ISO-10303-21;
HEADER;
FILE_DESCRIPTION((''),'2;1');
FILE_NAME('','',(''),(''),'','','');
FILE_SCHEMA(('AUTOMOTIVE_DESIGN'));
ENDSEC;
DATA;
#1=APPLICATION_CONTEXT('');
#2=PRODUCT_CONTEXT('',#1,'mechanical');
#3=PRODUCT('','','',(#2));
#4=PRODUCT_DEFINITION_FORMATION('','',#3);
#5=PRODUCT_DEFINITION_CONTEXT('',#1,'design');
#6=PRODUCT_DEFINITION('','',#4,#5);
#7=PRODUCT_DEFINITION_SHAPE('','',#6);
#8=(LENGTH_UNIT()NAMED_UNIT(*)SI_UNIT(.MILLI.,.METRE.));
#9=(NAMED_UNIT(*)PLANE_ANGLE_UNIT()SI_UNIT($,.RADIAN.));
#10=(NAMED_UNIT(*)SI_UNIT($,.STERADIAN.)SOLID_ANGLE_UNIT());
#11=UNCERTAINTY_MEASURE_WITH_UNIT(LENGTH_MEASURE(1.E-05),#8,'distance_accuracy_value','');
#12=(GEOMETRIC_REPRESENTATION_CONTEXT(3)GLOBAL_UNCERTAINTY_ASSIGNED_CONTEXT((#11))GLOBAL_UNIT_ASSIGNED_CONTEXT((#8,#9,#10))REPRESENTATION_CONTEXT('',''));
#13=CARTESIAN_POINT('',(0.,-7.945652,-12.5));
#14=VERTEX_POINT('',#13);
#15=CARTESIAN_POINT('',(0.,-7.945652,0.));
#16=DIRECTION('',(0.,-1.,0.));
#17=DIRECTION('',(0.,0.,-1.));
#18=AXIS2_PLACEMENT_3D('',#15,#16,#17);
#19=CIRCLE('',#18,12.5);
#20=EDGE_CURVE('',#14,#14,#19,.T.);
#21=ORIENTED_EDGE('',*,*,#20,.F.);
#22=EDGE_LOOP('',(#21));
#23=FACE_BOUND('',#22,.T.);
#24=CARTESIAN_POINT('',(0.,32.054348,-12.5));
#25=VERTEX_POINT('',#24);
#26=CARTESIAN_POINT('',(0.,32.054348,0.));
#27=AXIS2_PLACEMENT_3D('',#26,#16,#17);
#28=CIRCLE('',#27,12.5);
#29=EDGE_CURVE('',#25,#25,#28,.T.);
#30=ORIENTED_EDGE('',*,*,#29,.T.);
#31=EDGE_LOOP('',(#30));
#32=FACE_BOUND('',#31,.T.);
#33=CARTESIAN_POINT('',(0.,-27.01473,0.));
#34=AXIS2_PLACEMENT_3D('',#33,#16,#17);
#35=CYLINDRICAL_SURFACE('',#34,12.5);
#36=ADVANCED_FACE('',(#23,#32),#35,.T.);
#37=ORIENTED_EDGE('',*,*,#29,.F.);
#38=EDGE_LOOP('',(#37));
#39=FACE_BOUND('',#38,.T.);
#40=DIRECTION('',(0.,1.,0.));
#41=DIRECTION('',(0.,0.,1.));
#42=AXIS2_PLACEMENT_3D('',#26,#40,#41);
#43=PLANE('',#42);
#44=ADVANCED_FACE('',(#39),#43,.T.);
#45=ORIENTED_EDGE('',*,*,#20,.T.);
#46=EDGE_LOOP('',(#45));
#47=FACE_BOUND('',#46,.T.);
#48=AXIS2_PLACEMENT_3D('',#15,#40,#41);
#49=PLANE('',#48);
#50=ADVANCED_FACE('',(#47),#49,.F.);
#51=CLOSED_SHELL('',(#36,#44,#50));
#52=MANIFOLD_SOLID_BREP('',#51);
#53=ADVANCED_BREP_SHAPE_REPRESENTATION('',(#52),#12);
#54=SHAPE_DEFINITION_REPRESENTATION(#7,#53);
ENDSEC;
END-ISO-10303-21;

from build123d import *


with BuildPart() as part:
    # Esquisse1 → Révolution1 (revolve)
    with BuildSketch(Plane.XY, mode=Mode.PRIVATE) as r_volution1_sk:
        Polygon((0, -7.945652174), (0, -6.945652174), (0, 12.054347826), (0, 32.054347826), (-12.5, 32.054347826), (-12.5, 31.054347826), (-12.5, -6.945652174), (-12.5, -7.945652174), align=None)
    revolve(r_volution1_sk.sketch.rotate(Axis((0, -27.01473029, 0), (0, 1, 0)), 270), axis=Axis((0, -27.01473029, 0), (0, 1, 0)))


solid = part.part
